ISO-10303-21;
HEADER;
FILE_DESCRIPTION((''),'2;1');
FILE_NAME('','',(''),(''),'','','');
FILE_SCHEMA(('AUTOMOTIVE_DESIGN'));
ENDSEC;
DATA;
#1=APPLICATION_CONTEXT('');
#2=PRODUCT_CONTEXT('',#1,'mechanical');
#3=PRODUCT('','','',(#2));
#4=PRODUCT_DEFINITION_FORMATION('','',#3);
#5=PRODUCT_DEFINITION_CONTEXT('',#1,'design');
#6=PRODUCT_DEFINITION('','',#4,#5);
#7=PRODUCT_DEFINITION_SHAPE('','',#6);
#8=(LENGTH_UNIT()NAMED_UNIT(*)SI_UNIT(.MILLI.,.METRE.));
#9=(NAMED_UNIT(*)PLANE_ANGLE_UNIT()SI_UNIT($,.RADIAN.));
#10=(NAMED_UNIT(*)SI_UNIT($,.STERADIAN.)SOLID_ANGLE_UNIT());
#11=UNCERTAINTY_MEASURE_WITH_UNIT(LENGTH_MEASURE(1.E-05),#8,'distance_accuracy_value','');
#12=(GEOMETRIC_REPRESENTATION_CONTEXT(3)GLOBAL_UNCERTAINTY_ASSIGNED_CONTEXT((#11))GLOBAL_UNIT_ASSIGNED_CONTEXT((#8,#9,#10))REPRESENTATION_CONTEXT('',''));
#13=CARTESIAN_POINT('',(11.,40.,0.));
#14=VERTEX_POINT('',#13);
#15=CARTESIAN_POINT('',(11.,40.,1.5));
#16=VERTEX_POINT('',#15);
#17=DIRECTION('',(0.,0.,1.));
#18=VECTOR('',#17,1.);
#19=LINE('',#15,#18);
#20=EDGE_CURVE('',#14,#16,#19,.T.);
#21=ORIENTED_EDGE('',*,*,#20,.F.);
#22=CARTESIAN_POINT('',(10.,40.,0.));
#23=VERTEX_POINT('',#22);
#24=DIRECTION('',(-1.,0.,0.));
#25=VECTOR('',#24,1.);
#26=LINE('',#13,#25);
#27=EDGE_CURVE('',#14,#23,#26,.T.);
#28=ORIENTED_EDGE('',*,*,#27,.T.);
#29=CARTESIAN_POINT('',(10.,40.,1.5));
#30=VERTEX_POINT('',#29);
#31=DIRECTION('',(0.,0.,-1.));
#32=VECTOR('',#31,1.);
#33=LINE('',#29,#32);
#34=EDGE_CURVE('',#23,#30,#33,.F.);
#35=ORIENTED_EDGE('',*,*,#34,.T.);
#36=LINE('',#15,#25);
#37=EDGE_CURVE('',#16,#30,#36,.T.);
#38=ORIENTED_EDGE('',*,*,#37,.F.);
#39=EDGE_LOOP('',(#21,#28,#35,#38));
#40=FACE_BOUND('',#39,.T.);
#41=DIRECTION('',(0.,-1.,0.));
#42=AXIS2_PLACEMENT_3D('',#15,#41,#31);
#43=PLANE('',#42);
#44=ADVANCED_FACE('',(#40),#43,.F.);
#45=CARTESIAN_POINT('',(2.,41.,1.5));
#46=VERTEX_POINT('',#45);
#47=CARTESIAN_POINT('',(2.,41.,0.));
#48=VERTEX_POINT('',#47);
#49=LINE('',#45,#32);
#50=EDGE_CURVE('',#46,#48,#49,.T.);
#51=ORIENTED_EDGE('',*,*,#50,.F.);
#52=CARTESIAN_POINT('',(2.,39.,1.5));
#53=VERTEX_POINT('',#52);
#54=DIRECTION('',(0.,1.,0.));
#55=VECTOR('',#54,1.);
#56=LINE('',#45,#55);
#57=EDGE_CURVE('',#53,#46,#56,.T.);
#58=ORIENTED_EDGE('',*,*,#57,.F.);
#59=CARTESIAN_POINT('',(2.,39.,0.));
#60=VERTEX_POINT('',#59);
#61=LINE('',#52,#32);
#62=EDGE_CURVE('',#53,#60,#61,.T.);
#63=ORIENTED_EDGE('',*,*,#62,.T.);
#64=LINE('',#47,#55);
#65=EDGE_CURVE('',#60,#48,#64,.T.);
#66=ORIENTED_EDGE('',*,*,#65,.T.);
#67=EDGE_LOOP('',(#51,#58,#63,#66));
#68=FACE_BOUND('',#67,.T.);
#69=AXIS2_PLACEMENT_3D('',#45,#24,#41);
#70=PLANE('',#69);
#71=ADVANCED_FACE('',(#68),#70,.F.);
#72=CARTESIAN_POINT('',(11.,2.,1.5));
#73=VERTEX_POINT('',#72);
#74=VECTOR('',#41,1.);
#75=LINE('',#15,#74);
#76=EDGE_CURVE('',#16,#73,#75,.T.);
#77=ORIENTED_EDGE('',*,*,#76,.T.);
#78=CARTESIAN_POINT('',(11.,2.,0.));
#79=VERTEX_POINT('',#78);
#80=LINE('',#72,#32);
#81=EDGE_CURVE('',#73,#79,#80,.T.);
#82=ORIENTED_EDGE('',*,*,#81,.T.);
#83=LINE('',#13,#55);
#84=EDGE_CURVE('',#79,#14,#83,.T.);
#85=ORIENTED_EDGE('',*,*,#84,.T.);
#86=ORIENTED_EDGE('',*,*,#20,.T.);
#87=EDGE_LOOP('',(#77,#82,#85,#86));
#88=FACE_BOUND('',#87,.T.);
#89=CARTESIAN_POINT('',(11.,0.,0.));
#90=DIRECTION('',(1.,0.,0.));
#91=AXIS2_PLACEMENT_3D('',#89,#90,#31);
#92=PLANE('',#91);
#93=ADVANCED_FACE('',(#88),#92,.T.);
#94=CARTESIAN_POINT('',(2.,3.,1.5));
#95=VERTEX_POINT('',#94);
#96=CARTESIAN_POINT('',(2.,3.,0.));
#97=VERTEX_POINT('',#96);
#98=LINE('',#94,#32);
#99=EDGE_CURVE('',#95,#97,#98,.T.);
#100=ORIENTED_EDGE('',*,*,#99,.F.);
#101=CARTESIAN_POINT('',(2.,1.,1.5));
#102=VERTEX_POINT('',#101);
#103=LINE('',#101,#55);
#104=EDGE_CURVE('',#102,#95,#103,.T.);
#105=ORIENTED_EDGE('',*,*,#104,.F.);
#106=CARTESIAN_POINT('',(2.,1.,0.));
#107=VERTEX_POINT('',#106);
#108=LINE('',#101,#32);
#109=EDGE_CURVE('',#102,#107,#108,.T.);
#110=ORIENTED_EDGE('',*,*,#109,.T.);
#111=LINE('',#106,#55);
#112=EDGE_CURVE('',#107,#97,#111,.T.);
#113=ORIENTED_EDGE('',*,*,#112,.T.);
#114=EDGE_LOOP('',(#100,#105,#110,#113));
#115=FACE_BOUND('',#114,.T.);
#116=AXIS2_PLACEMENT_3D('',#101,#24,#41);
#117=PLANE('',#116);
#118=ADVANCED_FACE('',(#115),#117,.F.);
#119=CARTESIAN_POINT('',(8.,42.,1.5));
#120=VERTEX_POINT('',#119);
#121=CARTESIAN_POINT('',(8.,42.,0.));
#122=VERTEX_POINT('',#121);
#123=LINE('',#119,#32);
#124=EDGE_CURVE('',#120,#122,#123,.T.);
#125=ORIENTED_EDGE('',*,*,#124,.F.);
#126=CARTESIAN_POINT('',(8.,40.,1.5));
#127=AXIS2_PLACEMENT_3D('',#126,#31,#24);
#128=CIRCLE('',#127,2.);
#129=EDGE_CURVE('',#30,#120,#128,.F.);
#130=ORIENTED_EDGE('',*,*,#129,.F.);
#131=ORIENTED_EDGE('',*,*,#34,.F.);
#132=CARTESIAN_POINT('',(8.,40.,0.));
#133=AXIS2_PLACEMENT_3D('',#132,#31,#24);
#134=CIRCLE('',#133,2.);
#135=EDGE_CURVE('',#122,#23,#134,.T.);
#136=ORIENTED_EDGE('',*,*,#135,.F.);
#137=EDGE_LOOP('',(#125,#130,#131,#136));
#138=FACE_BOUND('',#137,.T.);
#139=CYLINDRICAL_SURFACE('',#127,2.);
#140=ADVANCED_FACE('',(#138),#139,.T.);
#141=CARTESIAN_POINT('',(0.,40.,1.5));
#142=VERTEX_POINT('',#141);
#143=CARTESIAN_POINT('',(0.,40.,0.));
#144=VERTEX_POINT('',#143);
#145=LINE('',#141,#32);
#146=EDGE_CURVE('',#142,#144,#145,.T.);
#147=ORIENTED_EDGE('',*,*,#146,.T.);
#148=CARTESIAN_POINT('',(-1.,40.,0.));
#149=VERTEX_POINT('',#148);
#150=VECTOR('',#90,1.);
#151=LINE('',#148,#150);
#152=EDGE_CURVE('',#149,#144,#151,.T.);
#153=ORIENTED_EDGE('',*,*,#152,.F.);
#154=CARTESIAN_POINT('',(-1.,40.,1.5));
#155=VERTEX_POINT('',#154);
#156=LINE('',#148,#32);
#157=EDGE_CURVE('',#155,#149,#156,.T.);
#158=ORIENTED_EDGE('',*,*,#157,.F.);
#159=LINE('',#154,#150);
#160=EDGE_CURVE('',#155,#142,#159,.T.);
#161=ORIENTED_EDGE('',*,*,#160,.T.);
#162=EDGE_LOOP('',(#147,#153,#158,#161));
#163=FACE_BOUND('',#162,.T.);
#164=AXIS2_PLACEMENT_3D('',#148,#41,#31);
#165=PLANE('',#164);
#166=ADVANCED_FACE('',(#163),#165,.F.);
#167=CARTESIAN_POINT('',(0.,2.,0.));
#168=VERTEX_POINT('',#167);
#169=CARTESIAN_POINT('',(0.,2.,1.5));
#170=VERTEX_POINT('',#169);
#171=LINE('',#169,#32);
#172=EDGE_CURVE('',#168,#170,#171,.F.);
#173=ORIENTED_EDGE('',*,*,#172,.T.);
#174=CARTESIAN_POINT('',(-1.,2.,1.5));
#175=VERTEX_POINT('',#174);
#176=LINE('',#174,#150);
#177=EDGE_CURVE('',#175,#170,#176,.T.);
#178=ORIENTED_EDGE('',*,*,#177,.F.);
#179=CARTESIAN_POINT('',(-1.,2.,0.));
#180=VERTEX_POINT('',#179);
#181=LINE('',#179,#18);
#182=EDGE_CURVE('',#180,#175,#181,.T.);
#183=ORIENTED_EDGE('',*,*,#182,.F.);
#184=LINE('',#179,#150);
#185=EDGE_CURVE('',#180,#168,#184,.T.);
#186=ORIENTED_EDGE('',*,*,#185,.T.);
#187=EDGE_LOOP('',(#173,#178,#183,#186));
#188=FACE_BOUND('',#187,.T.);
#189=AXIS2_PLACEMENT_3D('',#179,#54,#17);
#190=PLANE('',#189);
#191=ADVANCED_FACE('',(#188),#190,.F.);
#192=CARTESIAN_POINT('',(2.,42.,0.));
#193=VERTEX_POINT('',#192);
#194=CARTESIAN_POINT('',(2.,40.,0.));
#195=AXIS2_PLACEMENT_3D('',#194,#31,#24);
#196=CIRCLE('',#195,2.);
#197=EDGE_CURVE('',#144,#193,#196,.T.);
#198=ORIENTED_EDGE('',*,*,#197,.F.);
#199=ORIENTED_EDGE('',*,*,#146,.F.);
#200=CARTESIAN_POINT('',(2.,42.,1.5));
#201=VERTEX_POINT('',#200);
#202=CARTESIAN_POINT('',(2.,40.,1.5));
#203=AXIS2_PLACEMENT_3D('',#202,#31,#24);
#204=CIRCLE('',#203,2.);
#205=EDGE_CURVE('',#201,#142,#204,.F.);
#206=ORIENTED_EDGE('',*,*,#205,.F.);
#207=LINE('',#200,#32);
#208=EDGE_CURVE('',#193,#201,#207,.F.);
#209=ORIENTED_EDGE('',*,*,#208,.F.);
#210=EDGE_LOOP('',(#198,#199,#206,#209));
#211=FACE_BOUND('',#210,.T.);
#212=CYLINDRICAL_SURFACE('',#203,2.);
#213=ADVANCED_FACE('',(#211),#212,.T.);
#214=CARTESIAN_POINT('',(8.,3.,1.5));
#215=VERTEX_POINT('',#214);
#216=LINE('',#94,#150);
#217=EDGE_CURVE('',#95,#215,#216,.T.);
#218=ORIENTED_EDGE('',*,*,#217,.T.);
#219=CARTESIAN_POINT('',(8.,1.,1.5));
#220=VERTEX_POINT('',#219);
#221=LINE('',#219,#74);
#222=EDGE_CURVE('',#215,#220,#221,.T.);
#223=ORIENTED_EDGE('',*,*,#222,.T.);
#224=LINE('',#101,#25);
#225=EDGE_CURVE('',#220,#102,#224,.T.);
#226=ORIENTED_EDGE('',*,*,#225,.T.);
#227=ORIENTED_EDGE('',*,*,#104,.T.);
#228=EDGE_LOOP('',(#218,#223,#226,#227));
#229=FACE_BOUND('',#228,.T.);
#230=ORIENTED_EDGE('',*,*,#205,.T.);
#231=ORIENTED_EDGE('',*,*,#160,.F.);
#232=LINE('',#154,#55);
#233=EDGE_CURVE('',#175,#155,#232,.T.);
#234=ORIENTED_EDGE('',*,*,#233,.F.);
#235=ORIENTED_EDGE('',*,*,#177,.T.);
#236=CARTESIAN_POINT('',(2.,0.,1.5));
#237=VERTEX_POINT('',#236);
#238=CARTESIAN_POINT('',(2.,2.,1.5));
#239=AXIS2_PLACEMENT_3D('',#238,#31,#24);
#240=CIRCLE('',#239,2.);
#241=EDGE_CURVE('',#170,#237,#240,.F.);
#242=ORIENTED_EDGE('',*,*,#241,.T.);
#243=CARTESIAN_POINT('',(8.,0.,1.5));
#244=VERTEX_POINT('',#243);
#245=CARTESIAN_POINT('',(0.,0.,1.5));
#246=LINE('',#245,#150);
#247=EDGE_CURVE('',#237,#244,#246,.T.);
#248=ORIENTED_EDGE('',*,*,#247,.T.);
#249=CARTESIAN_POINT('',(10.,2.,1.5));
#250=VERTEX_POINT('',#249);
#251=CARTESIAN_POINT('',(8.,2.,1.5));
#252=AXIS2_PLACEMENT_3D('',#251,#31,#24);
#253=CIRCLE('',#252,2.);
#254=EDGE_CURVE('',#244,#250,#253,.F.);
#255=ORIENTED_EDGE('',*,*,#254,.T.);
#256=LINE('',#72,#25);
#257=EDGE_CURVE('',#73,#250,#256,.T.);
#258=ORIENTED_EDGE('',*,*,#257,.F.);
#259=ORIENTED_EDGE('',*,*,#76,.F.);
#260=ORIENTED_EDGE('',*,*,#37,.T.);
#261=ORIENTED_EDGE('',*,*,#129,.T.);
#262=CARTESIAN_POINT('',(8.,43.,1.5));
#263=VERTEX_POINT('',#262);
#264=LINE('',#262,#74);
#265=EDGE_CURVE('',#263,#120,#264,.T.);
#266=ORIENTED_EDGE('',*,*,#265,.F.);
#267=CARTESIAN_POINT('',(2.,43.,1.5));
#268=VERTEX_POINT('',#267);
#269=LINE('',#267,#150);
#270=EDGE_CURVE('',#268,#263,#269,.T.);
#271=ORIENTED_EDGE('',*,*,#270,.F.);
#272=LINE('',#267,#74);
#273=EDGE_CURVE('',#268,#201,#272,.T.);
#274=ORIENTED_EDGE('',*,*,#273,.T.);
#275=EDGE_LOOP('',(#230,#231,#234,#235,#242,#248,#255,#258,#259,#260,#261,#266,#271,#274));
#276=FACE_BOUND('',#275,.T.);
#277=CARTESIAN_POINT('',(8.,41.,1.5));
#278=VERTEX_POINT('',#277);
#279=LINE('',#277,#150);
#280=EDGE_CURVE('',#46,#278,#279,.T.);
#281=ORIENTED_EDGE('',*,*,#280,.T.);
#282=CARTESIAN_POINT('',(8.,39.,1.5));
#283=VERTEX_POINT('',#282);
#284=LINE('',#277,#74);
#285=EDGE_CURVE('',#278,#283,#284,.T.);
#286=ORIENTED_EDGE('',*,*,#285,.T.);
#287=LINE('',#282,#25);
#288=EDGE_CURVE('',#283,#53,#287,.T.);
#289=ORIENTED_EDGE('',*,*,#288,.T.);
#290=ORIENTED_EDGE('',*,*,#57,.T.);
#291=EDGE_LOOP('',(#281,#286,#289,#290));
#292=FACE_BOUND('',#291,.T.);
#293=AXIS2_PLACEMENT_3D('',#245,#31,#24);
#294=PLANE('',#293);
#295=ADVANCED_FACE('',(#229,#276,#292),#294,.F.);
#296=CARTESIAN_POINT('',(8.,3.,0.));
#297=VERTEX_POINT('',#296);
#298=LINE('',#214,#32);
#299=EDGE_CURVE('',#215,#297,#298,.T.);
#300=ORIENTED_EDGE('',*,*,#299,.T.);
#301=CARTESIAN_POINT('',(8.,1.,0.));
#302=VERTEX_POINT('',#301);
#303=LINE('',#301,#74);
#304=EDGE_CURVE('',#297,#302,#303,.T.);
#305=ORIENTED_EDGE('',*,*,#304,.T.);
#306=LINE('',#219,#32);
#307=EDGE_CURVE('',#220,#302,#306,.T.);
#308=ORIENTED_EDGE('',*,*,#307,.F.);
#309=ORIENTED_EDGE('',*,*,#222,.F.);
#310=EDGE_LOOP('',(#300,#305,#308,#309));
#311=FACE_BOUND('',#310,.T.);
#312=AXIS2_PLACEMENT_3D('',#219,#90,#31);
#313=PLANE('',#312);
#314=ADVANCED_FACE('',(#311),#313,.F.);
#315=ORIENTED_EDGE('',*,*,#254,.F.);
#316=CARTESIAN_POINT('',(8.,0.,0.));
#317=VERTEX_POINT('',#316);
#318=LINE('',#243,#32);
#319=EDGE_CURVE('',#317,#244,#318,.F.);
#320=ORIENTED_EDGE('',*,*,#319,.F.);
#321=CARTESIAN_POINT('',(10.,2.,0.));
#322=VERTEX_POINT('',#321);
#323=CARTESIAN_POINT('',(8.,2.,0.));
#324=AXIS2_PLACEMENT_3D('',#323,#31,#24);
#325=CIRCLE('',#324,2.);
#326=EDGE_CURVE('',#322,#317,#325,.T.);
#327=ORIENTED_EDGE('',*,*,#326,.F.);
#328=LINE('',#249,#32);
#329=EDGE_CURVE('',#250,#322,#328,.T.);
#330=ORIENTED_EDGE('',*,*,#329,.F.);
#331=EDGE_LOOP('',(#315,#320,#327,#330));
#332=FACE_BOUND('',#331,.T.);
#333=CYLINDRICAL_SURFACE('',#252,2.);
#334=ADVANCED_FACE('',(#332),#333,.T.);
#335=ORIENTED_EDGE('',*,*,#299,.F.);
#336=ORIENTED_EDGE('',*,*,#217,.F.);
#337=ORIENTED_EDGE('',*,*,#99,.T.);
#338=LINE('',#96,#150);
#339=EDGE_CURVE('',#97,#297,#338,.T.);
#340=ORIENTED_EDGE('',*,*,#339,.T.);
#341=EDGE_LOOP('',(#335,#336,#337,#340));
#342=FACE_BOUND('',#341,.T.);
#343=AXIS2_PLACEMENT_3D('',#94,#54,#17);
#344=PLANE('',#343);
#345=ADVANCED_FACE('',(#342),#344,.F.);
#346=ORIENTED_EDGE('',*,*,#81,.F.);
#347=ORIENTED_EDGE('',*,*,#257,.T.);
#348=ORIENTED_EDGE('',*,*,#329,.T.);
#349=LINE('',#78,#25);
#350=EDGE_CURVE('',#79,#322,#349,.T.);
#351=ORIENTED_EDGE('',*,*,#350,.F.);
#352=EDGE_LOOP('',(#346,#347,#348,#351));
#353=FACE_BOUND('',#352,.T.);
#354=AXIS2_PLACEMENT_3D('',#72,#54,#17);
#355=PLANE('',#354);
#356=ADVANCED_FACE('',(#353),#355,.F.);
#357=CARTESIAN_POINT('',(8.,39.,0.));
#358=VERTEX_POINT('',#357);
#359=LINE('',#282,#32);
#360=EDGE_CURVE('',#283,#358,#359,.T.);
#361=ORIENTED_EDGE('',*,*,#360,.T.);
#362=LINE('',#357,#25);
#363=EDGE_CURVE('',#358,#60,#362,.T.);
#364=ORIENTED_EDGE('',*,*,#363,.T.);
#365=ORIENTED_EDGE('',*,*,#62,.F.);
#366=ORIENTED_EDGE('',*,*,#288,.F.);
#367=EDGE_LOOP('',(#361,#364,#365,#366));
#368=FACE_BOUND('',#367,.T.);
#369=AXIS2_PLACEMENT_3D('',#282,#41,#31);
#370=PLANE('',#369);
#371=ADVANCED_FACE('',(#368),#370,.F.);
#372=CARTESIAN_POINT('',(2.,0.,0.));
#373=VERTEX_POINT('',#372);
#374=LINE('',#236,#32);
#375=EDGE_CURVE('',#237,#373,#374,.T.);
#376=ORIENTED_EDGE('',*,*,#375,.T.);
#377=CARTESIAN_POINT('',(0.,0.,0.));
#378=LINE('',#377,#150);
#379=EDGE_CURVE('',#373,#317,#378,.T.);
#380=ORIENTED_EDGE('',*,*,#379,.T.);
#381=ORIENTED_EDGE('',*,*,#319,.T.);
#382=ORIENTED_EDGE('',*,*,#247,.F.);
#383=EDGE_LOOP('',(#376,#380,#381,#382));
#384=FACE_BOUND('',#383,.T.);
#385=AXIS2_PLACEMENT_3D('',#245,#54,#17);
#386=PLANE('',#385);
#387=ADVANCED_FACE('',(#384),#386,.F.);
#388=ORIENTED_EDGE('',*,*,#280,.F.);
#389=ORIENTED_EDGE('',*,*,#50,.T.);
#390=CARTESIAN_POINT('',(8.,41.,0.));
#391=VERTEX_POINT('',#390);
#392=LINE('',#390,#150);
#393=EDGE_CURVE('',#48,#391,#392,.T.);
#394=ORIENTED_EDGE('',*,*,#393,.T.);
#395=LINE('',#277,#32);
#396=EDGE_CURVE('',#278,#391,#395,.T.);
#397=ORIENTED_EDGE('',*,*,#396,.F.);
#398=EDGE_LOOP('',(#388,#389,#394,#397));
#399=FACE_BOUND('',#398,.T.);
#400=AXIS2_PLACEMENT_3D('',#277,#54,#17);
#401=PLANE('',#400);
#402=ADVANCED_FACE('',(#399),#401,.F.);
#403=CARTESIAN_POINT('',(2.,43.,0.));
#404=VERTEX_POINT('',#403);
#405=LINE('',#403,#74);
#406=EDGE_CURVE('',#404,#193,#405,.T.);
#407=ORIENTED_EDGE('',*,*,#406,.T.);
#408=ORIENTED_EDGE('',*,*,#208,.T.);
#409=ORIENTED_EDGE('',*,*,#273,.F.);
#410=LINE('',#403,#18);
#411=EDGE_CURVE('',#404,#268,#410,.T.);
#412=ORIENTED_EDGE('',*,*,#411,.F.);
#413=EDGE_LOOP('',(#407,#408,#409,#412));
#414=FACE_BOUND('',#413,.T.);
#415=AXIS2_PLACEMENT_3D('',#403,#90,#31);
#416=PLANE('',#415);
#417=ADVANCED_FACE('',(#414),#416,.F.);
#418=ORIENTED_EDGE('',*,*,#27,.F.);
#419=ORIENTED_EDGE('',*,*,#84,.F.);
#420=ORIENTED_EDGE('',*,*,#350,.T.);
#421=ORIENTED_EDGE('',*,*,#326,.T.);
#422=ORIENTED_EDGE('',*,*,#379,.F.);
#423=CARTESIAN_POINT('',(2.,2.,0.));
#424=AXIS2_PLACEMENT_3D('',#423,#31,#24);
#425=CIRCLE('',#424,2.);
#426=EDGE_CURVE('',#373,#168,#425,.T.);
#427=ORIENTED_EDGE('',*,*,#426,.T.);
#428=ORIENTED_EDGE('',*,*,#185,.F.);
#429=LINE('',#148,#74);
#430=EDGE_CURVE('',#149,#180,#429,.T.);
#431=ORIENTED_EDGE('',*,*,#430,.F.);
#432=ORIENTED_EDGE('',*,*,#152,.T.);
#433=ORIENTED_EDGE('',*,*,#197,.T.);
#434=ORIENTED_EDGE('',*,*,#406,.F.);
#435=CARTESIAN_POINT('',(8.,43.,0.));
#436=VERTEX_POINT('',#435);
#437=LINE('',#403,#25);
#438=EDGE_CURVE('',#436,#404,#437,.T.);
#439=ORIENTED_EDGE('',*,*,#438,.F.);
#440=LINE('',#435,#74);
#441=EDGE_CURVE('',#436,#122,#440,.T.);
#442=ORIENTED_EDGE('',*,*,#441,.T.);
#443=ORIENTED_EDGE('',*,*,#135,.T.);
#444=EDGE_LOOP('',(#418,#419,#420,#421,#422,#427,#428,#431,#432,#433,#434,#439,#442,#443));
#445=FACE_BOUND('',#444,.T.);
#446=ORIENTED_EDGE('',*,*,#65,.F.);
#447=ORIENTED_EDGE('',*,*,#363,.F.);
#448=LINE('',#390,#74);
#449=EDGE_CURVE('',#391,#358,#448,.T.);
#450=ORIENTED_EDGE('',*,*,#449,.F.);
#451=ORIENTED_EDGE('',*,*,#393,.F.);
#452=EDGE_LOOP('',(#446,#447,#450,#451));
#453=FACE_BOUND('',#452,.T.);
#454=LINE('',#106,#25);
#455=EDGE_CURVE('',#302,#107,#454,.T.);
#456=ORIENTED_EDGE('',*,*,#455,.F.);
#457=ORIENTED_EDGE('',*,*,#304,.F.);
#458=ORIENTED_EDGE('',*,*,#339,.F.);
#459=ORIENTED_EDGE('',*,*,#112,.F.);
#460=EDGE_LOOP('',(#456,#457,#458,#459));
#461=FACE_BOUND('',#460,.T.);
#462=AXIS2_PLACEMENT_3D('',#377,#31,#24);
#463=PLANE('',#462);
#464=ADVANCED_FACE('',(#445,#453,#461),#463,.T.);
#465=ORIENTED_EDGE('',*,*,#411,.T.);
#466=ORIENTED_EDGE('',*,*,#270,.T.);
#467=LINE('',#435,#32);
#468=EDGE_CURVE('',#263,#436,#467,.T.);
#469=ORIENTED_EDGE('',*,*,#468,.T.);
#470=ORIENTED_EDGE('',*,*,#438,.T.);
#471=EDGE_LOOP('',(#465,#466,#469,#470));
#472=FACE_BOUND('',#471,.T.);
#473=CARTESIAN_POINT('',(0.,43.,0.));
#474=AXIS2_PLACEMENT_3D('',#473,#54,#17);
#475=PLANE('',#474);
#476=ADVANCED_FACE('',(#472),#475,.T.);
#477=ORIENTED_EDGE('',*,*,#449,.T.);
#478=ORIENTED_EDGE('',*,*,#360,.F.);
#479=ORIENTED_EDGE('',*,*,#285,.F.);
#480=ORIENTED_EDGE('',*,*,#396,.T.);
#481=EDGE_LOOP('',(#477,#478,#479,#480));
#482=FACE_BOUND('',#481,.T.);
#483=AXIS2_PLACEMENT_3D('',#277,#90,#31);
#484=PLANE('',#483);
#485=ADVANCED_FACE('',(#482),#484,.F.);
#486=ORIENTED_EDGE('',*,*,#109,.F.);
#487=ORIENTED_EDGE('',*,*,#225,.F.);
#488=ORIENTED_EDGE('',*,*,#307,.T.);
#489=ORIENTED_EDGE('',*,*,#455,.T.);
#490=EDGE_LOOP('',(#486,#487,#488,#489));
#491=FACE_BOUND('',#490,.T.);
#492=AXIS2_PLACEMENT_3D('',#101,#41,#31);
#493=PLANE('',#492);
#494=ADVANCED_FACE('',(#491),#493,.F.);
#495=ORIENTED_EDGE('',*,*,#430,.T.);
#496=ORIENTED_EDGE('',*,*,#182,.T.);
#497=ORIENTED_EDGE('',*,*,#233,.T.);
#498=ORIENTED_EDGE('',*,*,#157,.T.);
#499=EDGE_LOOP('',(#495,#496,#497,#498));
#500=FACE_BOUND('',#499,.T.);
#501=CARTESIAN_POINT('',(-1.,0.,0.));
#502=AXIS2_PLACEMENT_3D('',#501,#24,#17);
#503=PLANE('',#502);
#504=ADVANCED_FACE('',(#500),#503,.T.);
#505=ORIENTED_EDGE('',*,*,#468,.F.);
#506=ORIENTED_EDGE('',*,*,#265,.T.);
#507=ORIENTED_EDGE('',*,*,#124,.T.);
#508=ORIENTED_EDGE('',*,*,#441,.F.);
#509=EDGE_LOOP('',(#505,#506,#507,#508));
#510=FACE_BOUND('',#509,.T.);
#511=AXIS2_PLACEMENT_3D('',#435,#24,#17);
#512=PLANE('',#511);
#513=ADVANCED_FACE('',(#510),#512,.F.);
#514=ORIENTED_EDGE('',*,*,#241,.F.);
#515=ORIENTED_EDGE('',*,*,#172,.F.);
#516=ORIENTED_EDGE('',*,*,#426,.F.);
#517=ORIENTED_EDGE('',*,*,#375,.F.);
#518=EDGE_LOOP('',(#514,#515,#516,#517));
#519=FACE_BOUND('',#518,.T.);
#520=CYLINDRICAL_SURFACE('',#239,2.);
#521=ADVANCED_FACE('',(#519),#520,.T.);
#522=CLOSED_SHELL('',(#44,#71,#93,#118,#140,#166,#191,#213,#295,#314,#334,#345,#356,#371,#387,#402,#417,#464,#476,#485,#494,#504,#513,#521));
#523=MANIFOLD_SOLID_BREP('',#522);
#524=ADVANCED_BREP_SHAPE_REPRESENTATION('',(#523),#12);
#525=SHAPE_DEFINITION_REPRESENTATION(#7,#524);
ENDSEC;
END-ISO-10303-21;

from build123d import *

# Parameters (mm, degrees)
SZKIC1_W                    = 10
SZKIC1_H                    = 42
DODANIE_WYCI_GNI_CIE1_DEPTH = 1.5
ZAOKR_GLENIE1_R             = 2
SZKIC2_W                    = 1.5
SZKIC2_H                    = 38
DODANIE_WYCI_GNI_CIE2_DEPTH = 1
SZKIC3_W                    = 1.5
SZKIC3_H                    = 38
DODANIE_WYCI_GNI_CIE3_DEPTH = 1
SZKIC4_W                    = 6
SZKIC4_H                    = 1.5
DODANIE_WYCI_GNI_CIE4_DEPTH = 1
SZKIC5_W                    = 6
SZKIC5_H                    = 2
WYTNIJ_WYCI_GNI_CIE2_DEPTH  = 2.5


with BuildPart() as part:
    # Szkic1 → Dodanie-wyciągnięcie1 (new body)
    with BuildSketch(Plane.XY):
        with Locations((5, 21)):
            Rectangle(SZKIC1_W, SZKIC1_H)
    extrude(amount=DODANIE_WYCI_GNI_CIE1_DEPTH)

    # Zaokrąglenie1
    zaokr_glenie1_edges = [part.edges().sort_by_distance(p)[0] for p in [
        (0, 42, 0.75),
        (10, 42, 0.75),
        (10, 0, 0.75),
        (0, 0, 0.75),
    ]]
    fillet(zaokr_glenie1_edges, radius=ZAOKR_GLENIE1_R)

    # Szkic2 → Dodanie-wyciągnięcie2 (add)
    with BuildSketch(Plane(origin=(10, 0, 0), x_dir=(0, 0, -1), z_dir=(1, 0, 0))):
        with Locations((-0.75, 21)):
            Rectangle(SZKIC2_W, SZKIC2_H)
    extrude(amount=DODANIE_WYCI_GNI_CIE2_DEPTH)

    # Szkic3 → Dodanie-wyciągnięcie3 (add)
    with BuildSketch(Plane.ZY):
        with Locations((0.75, 21)):
            Rectangle(SZKIC3_W, SZKIC3_H)
    extrude(amount=DODANIE_WYCI_GNI_CIE3_DEPTH)

    # Szkic4 → Dodanie-wyciągnięcie4 (add)
    with BuildSketch(Plane(origin=(0, 42, 0), x_dir=(1, 0, 0), z_dir=(0, 1, 0))):
        with Locations((5, -0.75)):
            Rectangle(SZKIC4_W, SZKIC4_H)
    extrude(amount=DODANIE_WYCI_GNI_CIE4_DEPTH)

    # Szkic5 → Wytnij-wyciągnięcie2 (cut, through all)
    with BuildSketch(Plane(origin=(0, 0, 0), x_dir=(-1, 0, 0), z_dir=(0, 0, -1))):
        with Locations((-5, 40)):
            Rectangle(SZKIC5_W, SZKIC5_H)
        with Locations((-5, 2)):
            Rectangle(SZKIC5_W, SZKIC5_H)
    extrude(amount=-WYTNIJ_WYCI_GNI_CIE2_DEPTH, mode=Mode.SUBTRACT)


solid = part.part
